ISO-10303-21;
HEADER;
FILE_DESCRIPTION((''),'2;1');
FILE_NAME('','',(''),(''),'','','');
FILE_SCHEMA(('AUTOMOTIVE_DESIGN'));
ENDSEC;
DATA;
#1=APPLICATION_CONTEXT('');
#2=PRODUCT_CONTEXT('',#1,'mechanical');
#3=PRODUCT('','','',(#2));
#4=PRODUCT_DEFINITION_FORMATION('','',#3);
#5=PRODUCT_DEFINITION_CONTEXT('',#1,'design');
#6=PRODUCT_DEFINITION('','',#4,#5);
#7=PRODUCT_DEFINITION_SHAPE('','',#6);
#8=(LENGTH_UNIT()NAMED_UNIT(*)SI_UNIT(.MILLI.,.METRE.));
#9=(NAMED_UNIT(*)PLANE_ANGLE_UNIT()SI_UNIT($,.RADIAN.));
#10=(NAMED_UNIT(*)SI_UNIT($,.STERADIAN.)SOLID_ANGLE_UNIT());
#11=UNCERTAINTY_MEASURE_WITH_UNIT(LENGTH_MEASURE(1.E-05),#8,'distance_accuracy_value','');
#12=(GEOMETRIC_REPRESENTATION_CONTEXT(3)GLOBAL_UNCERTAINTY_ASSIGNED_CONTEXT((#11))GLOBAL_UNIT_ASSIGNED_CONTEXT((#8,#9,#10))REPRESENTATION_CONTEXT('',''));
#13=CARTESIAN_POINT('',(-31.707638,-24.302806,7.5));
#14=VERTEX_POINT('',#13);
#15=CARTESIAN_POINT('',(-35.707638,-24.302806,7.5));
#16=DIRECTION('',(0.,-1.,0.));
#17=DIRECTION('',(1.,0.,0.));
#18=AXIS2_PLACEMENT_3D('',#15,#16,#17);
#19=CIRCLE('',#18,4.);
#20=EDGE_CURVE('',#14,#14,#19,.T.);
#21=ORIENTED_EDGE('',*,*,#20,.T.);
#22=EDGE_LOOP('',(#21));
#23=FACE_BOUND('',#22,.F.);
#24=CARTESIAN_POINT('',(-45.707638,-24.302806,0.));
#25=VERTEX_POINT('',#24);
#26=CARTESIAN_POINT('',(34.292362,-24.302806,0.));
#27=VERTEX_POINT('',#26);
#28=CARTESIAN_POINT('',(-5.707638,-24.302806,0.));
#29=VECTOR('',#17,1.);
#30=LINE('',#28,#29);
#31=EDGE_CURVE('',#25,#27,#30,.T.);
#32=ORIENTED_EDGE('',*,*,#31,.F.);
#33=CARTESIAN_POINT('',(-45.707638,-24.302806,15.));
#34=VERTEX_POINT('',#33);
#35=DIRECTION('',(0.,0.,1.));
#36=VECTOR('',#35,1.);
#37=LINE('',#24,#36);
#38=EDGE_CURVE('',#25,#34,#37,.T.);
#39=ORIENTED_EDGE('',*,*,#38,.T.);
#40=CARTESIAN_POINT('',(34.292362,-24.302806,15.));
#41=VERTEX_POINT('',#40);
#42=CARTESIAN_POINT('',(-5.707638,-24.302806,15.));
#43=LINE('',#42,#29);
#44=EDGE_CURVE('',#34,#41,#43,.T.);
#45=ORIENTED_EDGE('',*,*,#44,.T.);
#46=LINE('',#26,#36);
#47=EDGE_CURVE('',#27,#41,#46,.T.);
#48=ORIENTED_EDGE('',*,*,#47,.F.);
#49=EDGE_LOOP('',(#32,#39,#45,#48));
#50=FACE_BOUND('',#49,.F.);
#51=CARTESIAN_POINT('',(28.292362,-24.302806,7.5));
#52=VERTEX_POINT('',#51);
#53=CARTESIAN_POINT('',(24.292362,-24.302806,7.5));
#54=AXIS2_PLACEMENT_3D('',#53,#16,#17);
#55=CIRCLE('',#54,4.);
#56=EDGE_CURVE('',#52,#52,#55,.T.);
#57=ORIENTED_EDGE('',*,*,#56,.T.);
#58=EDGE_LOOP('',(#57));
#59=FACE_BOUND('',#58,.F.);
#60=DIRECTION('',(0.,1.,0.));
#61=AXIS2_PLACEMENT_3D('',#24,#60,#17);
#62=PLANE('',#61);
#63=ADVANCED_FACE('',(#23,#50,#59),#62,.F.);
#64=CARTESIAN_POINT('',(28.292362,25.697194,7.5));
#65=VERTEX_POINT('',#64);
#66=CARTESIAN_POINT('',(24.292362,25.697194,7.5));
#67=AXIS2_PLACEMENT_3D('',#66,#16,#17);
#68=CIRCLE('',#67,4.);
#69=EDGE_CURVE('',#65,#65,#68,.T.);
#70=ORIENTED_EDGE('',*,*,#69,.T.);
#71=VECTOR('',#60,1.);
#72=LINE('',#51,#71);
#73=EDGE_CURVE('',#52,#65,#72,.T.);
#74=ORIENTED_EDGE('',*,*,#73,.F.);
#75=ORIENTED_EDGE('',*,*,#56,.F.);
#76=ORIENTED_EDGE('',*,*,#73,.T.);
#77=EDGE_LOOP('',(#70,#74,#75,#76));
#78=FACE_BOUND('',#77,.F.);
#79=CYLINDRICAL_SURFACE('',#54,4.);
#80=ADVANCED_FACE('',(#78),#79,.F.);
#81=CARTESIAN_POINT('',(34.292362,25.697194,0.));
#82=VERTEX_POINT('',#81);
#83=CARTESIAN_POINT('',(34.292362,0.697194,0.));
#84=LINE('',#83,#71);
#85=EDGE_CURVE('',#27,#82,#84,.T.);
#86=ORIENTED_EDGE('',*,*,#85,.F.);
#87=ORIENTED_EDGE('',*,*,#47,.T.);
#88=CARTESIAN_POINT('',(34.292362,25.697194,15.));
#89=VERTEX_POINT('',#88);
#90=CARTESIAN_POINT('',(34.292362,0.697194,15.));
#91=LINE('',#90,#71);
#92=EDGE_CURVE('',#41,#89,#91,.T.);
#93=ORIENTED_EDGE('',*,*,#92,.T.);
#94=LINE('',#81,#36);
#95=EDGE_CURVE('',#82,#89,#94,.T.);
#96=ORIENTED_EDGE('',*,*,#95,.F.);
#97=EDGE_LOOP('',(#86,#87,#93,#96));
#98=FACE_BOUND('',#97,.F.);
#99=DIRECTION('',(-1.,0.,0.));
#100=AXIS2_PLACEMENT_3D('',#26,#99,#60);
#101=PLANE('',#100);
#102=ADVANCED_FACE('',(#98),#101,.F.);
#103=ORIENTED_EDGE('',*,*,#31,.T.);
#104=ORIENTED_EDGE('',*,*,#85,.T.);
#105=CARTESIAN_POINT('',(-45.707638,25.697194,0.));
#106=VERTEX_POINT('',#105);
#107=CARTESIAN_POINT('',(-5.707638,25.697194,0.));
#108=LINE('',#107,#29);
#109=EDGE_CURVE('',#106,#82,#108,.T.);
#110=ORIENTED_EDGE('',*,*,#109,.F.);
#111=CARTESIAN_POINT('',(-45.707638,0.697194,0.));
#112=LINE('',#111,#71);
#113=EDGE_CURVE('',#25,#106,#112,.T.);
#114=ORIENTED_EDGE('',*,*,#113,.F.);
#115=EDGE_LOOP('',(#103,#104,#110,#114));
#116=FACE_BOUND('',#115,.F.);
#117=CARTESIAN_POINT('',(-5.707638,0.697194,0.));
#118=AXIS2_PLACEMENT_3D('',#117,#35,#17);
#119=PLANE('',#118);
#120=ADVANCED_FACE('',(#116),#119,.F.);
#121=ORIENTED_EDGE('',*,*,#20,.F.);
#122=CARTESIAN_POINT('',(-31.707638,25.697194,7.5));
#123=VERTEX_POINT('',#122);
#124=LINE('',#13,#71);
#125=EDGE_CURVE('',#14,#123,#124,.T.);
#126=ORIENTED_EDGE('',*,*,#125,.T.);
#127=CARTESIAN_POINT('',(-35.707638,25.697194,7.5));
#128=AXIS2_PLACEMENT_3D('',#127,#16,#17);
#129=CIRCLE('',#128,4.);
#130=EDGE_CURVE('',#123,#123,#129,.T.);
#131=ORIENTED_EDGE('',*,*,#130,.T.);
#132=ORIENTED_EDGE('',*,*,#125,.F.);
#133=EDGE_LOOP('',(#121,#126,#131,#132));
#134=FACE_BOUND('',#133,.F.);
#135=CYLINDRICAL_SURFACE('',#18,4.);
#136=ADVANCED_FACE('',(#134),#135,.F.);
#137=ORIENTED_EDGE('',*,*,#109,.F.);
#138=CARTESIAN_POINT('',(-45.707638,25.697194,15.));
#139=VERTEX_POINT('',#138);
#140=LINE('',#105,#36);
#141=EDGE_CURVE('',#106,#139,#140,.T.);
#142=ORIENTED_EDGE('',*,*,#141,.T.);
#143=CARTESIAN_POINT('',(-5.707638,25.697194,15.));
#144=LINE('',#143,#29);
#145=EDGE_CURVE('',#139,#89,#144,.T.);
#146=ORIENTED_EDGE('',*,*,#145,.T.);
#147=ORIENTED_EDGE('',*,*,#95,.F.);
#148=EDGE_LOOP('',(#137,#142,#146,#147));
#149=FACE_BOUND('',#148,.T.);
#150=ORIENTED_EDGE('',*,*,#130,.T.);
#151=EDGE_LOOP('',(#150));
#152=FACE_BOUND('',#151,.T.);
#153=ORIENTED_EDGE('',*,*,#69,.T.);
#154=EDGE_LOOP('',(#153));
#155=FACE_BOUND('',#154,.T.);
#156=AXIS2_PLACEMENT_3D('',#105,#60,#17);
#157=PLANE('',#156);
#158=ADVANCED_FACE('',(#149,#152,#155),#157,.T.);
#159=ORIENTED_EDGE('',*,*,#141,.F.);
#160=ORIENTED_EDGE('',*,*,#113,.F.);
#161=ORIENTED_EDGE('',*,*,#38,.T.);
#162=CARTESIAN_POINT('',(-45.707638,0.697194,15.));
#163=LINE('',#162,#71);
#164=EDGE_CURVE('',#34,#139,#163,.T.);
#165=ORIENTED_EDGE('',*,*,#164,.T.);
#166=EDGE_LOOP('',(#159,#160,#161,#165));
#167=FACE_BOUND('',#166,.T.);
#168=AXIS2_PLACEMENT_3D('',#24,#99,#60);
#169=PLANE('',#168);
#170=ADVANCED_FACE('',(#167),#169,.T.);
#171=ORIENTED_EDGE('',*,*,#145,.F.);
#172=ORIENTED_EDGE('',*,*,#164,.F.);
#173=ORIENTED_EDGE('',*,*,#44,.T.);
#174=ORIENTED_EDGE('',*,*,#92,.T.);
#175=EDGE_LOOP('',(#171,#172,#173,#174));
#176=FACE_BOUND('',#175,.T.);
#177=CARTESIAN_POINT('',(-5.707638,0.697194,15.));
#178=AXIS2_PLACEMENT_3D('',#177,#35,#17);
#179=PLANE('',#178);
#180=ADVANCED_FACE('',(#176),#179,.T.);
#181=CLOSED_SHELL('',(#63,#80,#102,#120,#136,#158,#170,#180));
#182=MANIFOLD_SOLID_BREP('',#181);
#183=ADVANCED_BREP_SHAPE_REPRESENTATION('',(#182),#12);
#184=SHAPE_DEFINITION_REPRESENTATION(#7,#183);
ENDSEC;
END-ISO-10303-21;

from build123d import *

# Parameters (mm, degrees)
F0_W     = 80
F0_H     = 50
F1_DEPTH = 15
F2_R     = 4
F3_DEPTH = 50


with BuildPart() as f1:
    # F0 (on Top) → F1 (new body)
    with BuildSketch(Plane.XY):
        with Locations((-5.707638, 0.697194)):
            Rectangle(F0_W, F0_H)
    extrude(amount=F1_DEPTH)

    # F2 (on face) → F3 (cut)
    with BuildSketch(Plane.XZ.offset(24.302806)):
        with Locations((-35.707638, 7.5)):
            Circle(F2_R)
        with Locations((24.292362, 7.5)):
            Circle(F2_R)
    extrude(amount=-F3_DEPTH, mode=Mode.SUBTRACT)


solid = f1.part
